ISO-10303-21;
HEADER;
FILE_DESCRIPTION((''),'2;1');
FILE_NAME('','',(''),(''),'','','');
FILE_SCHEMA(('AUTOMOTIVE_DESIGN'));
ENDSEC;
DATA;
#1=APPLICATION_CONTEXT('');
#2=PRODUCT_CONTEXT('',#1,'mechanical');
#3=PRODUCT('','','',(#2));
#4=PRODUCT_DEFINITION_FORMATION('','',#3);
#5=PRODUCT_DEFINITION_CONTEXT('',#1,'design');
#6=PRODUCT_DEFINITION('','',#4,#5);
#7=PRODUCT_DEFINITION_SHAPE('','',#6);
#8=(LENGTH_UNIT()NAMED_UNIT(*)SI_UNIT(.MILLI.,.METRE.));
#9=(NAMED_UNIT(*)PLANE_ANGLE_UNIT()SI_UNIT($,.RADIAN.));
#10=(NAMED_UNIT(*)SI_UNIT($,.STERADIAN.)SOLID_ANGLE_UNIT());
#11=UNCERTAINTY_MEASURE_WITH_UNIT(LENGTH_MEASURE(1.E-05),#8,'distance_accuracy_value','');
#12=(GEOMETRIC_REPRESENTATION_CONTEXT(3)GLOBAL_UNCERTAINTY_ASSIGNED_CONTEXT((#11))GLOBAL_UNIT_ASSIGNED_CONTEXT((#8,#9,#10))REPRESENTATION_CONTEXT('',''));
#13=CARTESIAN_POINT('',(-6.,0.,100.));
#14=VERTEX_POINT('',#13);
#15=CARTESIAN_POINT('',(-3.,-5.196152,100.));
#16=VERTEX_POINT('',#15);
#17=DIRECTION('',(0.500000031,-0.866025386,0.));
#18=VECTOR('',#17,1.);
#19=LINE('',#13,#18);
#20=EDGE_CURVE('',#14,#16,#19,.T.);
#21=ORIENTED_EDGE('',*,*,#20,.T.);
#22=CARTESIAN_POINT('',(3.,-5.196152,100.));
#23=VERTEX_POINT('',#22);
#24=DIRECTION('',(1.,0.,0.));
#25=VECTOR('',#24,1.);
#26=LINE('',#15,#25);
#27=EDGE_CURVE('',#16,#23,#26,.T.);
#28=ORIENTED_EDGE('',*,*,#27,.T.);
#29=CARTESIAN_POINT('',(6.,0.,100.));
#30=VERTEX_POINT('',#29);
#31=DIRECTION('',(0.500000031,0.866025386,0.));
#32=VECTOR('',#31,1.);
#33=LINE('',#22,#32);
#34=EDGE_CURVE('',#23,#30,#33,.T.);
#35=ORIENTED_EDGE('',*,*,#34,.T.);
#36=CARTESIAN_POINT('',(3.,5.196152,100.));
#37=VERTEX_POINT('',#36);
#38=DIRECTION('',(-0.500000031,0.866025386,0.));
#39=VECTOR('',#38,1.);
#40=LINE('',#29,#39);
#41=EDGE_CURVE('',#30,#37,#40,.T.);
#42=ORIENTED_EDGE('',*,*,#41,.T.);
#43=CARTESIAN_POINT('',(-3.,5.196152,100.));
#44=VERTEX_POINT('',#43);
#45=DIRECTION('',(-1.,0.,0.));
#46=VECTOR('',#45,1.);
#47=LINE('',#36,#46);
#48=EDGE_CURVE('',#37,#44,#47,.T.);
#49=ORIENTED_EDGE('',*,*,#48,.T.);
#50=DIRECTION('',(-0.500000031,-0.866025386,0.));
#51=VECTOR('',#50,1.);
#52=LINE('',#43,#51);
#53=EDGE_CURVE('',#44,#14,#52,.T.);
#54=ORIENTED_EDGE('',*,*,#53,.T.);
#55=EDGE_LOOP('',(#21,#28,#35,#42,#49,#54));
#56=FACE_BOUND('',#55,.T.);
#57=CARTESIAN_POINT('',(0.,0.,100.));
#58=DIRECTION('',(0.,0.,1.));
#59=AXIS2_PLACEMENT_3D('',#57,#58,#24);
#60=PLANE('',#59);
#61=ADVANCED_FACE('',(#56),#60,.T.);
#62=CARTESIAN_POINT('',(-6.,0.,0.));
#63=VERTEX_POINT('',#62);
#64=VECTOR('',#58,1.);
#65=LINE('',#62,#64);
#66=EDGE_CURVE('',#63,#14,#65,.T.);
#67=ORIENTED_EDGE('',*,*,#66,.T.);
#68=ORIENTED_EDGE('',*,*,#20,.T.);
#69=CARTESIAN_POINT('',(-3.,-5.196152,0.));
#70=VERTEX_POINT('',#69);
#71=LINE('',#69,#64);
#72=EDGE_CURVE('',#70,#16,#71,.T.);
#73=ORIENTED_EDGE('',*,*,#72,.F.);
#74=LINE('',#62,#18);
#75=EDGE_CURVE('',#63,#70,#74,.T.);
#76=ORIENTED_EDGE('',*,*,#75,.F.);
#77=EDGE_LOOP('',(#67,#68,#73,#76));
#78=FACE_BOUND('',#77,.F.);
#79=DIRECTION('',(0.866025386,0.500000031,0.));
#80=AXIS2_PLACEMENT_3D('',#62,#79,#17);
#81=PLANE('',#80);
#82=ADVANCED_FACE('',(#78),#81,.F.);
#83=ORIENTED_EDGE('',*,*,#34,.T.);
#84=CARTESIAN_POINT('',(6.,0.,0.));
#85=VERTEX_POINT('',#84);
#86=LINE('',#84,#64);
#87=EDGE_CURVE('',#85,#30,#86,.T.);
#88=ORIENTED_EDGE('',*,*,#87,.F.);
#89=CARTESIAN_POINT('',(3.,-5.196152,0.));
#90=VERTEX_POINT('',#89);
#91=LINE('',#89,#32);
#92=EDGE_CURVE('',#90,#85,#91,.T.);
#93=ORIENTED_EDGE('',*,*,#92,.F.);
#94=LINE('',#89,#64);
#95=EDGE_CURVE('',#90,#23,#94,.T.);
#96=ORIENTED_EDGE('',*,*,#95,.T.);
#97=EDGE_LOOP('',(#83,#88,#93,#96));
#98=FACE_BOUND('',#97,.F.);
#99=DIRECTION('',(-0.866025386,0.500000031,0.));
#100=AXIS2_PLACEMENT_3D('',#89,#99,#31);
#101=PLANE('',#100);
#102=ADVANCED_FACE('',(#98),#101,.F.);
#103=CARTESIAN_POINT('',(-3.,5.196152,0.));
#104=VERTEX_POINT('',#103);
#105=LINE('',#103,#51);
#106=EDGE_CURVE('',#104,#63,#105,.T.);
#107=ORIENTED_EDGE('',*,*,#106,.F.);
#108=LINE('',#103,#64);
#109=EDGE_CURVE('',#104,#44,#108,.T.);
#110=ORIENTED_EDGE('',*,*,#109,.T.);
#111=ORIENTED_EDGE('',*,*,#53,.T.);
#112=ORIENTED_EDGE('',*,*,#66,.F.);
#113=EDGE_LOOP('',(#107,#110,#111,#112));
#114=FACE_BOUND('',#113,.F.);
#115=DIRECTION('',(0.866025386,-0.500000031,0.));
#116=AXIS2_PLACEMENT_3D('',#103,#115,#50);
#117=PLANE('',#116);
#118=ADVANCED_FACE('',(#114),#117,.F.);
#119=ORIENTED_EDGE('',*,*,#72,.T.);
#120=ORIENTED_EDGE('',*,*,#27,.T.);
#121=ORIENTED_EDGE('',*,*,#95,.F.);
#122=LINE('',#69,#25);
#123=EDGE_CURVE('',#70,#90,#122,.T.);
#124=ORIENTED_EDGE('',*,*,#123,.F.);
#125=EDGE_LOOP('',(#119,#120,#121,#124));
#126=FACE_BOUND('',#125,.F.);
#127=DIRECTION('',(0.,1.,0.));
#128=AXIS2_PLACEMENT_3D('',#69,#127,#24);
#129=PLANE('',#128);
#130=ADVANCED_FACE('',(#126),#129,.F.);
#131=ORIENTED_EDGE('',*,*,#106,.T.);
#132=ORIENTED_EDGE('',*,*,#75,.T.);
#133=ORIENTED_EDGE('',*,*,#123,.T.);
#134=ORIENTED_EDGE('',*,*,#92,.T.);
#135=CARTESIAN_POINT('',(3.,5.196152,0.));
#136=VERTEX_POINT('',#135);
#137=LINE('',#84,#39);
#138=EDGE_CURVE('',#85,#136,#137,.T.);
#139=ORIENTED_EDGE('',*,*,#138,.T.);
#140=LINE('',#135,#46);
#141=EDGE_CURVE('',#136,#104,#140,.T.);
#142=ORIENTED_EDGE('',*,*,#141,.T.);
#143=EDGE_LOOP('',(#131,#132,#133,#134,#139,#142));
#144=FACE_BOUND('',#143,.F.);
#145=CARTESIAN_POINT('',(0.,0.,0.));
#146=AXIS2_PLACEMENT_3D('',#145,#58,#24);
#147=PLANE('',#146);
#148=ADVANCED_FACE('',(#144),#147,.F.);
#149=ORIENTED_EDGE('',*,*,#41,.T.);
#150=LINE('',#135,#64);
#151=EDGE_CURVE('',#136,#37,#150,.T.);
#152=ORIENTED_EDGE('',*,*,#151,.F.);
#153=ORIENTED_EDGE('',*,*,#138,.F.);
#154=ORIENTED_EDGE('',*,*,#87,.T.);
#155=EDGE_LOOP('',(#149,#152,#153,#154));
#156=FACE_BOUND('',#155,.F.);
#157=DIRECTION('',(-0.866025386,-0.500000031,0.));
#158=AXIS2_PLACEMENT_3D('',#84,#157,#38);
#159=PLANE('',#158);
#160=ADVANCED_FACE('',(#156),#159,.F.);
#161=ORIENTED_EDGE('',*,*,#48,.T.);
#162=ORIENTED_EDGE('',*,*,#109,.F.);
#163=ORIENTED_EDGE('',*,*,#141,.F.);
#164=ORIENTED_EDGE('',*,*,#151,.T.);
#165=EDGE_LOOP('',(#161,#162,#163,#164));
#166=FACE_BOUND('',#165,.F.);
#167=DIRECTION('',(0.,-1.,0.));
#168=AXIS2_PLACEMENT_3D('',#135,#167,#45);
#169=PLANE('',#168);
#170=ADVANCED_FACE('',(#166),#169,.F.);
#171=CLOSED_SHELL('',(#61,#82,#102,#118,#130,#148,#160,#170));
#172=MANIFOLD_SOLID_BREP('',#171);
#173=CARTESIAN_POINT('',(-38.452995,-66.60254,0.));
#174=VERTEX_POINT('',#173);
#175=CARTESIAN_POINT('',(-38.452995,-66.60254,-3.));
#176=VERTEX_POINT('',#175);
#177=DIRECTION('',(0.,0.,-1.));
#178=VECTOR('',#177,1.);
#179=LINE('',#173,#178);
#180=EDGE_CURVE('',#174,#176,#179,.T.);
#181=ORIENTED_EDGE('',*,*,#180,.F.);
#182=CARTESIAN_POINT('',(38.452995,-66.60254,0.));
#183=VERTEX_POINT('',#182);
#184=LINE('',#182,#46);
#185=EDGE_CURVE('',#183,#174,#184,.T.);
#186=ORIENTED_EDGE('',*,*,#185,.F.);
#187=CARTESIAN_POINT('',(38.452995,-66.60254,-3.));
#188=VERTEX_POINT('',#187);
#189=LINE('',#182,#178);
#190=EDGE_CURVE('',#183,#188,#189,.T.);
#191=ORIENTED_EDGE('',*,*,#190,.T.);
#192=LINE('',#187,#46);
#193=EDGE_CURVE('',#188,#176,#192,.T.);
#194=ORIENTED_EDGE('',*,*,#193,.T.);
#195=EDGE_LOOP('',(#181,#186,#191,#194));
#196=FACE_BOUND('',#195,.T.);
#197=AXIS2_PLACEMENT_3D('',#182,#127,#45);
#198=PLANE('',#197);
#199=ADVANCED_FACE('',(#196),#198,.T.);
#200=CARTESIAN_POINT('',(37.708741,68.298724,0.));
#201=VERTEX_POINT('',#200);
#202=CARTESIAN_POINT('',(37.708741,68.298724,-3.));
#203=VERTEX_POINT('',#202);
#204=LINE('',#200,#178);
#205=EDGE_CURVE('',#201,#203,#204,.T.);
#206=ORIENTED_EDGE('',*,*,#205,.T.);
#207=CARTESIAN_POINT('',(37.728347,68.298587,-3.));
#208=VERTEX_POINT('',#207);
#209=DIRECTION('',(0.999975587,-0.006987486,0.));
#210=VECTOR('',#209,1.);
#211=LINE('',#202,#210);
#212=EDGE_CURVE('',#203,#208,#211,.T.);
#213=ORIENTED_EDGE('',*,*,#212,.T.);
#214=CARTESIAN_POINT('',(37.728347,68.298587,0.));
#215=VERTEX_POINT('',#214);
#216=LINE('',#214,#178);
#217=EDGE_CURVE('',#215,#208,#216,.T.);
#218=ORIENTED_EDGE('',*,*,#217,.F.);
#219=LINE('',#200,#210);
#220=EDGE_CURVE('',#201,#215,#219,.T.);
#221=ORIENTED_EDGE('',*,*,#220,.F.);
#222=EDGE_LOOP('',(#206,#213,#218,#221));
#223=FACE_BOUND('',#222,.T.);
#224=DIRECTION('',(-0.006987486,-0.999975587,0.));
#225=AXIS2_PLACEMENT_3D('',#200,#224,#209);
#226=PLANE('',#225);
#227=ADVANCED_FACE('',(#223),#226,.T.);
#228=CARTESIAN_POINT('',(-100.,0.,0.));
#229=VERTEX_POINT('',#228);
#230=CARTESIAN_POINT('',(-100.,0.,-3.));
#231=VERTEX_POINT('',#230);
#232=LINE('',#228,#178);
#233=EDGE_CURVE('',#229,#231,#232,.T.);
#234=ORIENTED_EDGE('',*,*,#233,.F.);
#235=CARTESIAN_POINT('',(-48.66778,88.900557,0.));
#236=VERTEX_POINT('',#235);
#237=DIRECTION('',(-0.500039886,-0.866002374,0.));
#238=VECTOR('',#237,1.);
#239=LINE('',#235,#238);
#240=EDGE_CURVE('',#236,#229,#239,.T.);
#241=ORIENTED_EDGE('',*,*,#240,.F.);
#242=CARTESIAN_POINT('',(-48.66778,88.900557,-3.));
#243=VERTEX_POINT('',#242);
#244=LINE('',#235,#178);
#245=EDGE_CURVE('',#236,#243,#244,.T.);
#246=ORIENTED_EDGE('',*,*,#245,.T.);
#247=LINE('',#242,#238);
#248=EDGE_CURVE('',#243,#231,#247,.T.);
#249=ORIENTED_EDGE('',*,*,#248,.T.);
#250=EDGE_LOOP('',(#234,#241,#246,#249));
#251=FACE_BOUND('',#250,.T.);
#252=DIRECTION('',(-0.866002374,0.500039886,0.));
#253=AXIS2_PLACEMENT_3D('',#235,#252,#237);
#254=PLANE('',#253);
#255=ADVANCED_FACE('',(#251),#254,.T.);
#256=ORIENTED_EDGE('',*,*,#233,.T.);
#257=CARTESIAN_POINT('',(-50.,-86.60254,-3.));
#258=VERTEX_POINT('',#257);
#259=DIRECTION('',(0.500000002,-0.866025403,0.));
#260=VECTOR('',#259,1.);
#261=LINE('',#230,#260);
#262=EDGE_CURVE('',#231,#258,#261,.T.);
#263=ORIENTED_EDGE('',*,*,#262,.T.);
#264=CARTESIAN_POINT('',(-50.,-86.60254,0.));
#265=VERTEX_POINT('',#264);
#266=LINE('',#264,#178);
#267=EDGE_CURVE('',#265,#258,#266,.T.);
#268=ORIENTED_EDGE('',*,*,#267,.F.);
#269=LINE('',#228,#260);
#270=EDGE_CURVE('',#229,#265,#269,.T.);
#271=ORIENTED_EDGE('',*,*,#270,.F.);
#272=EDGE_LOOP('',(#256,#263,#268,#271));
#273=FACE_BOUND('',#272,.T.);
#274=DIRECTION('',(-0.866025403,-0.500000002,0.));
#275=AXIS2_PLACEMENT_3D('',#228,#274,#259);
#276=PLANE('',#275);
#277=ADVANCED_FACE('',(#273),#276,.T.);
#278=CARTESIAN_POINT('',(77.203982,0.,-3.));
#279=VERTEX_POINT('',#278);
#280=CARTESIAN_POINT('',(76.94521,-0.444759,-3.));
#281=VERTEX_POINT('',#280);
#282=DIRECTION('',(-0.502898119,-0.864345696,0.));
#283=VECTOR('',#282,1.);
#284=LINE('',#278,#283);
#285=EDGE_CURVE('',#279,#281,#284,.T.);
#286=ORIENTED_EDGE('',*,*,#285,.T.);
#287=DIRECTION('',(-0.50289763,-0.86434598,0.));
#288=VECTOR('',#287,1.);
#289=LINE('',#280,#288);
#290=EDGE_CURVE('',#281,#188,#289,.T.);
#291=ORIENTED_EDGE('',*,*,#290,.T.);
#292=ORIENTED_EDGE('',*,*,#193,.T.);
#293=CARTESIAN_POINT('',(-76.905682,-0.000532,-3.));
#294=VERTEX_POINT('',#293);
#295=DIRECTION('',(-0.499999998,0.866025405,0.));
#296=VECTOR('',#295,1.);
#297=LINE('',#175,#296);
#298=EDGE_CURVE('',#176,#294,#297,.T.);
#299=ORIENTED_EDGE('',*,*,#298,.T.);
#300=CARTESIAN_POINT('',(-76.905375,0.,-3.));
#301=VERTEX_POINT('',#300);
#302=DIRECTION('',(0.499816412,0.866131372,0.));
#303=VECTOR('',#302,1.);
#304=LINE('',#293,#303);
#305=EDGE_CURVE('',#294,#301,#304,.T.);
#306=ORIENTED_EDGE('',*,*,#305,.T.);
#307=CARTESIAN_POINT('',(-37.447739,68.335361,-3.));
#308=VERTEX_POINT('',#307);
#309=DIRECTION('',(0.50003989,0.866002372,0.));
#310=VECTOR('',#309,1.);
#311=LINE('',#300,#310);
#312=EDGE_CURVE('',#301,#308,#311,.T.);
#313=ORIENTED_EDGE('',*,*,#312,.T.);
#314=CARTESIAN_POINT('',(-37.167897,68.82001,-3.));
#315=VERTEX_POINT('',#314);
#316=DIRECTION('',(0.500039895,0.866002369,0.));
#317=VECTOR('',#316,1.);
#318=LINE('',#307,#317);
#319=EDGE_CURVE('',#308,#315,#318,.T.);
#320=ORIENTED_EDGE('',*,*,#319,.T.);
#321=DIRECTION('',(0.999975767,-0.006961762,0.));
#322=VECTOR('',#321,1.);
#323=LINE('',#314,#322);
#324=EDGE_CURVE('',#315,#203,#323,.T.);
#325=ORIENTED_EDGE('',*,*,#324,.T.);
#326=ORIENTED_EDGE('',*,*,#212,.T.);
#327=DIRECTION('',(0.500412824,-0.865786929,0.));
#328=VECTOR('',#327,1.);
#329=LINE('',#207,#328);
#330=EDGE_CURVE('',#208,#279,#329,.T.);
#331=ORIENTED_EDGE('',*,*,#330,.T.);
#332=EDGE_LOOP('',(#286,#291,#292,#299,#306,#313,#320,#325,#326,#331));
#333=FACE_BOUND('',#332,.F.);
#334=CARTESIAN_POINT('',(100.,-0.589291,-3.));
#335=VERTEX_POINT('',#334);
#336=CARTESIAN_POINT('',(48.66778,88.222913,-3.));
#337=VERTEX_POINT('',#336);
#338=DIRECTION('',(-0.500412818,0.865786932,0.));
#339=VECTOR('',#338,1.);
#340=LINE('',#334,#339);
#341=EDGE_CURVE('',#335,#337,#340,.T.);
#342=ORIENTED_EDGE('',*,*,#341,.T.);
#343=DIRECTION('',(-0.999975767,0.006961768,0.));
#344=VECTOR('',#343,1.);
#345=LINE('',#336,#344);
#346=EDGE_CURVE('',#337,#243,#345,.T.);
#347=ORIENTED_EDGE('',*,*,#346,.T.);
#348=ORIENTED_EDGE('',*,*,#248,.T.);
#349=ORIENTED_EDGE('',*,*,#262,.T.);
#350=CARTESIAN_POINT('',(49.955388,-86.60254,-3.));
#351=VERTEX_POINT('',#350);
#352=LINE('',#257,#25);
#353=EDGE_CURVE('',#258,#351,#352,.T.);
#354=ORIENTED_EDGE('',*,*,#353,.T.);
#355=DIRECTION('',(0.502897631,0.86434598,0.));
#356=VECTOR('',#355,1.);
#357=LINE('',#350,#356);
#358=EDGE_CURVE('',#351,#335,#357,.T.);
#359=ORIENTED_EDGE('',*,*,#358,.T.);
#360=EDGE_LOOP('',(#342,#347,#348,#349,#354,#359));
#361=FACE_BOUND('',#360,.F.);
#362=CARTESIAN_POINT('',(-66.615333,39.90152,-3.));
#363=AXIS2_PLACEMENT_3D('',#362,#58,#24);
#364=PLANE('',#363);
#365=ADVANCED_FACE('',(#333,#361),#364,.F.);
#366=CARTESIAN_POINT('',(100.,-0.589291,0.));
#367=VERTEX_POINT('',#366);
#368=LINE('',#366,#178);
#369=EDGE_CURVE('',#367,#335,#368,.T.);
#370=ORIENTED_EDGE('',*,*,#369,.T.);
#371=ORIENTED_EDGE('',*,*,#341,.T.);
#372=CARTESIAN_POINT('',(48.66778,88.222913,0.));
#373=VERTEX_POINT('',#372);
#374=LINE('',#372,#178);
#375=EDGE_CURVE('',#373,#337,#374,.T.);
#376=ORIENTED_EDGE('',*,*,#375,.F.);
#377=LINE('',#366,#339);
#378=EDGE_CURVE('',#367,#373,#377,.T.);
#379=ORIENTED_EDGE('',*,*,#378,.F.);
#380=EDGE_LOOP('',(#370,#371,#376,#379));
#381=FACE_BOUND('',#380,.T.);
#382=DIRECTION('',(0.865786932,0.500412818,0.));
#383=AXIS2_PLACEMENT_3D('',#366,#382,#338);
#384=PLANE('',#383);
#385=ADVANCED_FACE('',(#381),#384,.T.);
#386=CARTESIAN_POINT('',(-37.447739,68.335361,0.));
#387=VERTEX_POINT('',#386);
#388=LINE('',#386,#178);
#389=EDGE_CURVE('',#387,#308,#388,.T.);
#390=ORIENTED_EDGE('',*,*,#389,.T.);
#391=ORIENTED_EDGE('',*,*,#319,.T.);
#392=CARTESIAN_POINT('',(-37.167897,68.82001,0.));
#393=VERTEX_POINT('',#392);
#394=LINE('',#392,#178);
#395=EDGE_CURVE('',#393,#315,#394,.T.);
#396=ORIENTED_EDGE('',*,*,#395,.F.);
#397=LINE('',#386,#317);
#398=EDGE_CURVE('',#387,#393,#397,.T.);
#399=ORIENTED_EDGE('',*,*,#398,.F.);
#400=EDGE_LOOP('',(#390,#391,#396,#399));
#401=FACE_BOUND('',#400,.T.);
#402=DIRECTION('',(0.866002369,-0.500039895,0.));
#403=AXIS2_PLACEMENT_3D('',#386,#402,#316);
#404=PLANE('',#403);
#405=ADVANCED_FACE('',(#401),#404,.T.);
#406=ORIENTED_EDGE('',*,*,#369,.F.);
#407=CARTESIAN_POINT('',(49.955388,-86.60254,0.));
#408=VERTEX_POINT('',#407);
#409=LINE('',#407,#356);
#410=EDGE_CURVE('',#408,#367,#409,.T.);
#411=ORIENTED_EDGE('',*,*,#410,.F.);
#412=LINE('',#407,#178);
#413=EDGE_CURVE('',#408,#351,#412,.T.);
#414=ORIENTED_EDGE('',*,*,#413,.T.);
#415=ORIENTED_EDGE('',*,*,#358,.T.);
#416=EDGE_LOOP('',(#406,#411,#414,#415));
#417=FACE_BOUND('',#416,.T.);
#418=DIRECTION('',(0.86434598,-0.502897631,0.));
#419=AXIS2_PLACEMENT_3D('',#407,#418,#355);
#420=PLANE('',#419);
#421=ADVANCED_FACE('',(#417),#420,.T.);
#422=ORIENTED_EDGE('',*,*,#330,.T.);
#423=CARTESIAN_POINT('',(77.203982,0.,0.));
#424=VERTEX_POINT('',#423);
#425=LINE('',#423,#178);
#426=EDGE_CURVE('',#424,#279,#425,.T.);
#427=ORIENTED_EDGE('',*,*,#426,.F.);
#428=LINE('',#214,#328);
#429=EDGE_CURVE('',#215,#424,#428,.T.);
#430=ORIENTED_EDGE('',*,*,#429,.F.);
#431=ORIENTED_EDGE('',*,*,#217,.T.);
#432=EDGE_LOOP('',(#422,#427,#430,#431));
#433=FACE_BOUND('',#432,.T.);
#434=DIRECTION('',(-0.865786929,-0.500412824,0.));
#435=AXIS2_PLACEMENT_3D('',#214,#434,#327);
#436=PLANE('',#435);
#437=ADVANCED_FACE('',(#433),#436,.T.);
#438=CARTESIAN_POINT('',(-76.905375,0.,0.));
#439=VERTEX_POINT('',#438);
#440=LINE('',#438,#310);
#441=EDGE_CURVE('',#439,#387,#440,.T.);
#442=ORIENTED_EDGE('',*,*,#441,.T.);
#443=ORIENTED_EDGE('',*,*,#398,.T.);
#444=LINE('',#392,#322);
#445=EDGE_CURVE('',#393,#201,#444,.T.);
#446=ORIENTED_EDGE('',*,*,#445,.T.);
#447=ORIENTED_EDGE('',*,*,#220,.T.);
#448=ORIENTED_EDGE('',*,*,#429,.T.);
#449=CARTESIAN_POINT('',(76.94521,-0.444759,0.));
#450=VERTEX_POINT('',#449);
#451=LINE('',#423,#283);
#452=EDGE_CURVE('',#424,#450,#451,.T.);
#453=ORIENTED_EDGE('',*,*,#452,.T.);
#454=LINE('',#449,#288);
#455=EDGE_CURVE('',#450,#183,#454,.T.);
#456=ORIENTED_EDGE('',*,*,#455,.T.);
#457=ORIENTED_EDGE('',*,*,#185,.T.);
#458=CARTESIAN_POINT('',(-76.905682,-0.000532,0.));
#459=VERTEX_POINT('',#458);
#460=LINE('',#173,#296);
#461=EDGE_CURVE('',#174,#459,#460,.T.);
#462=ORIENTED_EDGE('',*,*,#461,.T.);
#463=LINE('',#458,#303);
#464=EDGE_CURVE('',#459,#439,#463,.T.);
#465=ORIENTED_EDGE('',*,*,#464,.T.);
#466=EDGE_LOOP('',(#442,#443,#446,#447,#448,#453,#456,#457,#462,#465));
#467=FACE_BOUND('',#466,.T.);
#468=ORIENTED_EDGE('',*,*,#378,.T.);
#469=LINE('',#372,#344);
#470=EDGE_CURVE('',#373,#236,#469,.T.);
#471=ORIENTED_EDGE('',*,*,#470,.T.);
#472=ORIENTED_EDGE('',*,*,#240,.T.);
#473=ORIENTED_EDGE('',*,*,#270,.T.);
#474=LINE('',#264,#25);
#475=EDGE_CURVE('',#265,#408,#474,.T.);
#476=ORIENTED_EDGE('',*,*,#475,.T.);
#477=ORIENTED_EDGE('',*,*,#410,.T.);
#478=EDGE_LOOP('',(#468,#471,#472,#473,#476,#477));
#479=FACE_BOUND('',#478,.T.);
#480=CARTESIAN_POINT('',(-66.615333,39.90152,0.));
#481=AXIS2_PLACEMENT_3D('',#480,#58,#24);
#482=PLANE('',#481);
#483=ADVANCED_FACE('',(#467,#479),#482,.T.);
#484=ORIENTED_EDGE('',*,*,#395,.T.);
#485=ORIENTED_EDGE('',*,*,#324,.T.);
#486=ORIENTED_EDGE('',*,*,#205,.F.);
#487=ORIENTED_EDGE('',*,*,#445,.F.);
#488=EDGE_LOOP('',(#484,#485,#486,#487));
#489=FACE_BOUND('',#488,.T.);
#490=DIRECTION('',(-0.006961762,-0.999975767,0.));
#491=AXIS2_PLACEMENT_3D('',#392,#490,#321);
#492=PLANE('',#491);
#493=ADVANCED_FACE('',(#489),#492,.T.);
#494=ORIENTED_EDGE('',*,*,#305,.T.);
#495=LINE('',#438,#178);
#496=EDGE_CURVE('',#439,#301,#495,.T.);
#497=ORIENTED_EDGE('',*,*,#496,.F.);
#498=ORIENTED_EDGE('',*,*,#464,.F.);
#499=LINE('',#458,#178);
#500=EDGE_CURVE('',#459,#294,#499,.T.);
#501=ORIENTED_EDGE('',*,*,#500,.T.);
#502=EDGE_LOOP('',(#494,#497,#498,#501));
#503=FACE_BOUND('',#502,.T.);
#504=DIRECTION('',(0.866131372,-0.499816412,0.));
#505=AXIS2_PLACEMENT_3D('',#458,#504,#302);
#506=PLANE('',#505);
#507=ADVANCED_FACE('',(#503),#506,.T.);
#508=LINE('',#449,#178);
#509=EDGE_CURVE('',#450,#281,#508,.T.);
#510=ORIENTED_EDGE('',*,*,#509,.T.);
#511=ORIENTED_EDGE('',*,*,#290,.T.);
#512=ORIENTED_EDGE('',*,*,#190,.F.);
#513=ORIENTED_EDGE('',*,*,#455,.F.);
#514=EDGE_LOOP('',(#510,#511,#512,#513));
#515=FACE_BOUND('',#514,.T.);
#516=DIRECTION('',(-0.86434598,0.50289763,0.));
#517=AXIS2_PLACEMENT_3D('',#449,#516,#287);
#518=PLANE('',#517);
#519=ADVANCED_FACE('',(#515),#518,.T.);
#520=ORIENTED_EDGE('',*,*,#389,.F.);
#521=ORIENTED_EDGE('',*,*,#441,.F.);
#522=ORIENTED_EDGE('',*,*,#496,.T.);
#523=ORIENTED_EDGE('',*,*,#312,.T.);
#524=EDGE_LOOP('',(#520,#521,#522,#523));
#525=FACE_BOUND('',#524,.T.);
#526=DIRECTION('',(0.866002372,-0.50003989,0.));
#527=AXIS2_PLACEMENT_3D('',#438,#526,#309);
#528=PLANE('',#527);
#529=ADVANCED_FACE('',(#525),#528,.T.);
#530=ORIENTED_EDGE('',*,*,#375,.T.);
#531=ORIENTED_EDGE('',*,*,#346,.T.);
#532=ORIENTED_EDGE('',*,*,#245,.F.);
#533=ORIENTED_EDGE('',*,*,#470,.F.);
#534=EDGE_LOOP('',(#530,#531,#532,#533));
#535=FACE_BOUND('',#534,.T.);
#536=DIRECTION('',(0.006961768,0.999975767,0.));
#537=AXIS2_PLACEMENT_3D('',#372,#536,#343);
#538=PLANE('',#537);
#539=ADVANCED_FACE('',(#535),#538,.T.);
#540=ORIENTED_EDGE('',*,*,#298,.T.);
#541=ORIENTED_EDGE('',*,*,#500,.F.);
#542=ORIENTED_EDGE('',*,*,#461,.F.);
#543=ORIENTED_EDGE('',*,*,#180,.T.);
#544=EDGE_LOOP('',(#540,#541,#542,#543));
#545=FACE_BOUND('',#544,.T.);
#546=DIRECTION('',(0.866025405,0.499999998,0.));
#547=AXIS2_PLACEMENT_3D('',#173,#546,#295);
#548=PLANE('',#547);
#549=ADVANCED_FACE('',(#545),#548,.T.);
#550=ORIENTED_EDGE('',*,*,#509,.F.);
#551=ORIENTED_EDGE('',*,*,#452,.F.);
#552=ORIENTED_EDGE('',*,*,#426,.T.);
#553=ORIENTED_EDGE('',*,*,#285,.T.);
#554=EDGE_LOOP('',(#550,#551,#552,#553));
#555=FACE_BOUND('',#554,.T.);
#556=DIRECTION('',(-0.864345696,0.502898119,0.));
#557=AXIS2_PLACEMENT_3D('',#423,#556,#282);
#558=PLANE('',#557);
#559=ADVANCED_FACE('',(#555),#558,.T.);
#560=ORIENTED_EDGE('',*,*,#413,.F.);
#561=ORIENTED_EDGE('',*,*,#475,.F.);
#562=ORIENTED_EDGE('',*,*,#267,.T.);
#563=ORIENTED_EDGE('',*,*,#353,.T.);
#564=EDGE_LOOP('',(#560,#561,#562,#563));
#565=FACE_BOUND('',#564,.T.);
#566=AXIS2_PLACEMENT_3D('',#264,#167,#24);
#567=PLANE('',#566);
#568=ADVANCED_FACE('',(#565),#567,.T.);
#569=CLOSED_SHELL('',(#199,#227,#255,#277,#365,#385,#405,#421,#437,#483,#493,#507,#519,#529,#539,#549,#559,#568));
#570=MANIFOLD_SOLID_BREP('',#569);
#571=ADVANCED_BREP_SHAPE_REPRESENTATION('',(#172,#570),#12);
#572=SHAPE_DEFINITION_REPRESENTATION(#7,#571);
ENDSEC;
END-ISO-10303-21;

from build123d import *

# Parameters (mm, degrees)
F1_DEPTH = 100
F2_DEPTH = 3


with BuildPart() as f1:
    # F0 (on Top) → F1 (new body)
    with BuildSketch(Plane.XY):
        Polygon((3, 5.196152), (-3, 5.196152), (-6, 0), (-3, -5.196152), (3, -5.196152), (6, 0), align=None)
    extrude(amount=F1_DEPTH)


with BuildPart() as f2:
    # F0 (on Top) → F2 (new body)
    with BuildSketch(Plane.XY):
        Polygon((-37.447739, 68.335361), (-48.66778, 88.900557), (-100, 0), (-76.905375, 0), align=None)
        Polygon((48.66778, 88.222913), (-48.66778, 88.900557), (-37.447739, 68.335361), (-37.167897, 68.82001), (37.708741, 68.298724), align=None)
        Polygon((100, -0.589291), (48.66778, 88.222913), (37.708741, 68.298724), (37.728347, 68.298587), (77.203982, 0), (76.94521, -0.444759), align=None)
        Polygon((-76.905375, 0), (-100, 0), (-50, -86.60254), (-38.452995, -66.60254), (-76.905682, -0.000532), align=None)
        Polygon((49.955388, -86.60254), (100, -0.589291), (76.94521, -0.444759), (38.452995, -66.60254), (38.419343, -66.60254), align=None)
        Polygon((-38.452995, -66.60254), (-50, -86.60254), (49.955388, -86.60254), (38.419343, -66.60254), align=None)
    extrude(amount=-F2_DEPTH)


solid = Compound([f1.part, f2.part])
